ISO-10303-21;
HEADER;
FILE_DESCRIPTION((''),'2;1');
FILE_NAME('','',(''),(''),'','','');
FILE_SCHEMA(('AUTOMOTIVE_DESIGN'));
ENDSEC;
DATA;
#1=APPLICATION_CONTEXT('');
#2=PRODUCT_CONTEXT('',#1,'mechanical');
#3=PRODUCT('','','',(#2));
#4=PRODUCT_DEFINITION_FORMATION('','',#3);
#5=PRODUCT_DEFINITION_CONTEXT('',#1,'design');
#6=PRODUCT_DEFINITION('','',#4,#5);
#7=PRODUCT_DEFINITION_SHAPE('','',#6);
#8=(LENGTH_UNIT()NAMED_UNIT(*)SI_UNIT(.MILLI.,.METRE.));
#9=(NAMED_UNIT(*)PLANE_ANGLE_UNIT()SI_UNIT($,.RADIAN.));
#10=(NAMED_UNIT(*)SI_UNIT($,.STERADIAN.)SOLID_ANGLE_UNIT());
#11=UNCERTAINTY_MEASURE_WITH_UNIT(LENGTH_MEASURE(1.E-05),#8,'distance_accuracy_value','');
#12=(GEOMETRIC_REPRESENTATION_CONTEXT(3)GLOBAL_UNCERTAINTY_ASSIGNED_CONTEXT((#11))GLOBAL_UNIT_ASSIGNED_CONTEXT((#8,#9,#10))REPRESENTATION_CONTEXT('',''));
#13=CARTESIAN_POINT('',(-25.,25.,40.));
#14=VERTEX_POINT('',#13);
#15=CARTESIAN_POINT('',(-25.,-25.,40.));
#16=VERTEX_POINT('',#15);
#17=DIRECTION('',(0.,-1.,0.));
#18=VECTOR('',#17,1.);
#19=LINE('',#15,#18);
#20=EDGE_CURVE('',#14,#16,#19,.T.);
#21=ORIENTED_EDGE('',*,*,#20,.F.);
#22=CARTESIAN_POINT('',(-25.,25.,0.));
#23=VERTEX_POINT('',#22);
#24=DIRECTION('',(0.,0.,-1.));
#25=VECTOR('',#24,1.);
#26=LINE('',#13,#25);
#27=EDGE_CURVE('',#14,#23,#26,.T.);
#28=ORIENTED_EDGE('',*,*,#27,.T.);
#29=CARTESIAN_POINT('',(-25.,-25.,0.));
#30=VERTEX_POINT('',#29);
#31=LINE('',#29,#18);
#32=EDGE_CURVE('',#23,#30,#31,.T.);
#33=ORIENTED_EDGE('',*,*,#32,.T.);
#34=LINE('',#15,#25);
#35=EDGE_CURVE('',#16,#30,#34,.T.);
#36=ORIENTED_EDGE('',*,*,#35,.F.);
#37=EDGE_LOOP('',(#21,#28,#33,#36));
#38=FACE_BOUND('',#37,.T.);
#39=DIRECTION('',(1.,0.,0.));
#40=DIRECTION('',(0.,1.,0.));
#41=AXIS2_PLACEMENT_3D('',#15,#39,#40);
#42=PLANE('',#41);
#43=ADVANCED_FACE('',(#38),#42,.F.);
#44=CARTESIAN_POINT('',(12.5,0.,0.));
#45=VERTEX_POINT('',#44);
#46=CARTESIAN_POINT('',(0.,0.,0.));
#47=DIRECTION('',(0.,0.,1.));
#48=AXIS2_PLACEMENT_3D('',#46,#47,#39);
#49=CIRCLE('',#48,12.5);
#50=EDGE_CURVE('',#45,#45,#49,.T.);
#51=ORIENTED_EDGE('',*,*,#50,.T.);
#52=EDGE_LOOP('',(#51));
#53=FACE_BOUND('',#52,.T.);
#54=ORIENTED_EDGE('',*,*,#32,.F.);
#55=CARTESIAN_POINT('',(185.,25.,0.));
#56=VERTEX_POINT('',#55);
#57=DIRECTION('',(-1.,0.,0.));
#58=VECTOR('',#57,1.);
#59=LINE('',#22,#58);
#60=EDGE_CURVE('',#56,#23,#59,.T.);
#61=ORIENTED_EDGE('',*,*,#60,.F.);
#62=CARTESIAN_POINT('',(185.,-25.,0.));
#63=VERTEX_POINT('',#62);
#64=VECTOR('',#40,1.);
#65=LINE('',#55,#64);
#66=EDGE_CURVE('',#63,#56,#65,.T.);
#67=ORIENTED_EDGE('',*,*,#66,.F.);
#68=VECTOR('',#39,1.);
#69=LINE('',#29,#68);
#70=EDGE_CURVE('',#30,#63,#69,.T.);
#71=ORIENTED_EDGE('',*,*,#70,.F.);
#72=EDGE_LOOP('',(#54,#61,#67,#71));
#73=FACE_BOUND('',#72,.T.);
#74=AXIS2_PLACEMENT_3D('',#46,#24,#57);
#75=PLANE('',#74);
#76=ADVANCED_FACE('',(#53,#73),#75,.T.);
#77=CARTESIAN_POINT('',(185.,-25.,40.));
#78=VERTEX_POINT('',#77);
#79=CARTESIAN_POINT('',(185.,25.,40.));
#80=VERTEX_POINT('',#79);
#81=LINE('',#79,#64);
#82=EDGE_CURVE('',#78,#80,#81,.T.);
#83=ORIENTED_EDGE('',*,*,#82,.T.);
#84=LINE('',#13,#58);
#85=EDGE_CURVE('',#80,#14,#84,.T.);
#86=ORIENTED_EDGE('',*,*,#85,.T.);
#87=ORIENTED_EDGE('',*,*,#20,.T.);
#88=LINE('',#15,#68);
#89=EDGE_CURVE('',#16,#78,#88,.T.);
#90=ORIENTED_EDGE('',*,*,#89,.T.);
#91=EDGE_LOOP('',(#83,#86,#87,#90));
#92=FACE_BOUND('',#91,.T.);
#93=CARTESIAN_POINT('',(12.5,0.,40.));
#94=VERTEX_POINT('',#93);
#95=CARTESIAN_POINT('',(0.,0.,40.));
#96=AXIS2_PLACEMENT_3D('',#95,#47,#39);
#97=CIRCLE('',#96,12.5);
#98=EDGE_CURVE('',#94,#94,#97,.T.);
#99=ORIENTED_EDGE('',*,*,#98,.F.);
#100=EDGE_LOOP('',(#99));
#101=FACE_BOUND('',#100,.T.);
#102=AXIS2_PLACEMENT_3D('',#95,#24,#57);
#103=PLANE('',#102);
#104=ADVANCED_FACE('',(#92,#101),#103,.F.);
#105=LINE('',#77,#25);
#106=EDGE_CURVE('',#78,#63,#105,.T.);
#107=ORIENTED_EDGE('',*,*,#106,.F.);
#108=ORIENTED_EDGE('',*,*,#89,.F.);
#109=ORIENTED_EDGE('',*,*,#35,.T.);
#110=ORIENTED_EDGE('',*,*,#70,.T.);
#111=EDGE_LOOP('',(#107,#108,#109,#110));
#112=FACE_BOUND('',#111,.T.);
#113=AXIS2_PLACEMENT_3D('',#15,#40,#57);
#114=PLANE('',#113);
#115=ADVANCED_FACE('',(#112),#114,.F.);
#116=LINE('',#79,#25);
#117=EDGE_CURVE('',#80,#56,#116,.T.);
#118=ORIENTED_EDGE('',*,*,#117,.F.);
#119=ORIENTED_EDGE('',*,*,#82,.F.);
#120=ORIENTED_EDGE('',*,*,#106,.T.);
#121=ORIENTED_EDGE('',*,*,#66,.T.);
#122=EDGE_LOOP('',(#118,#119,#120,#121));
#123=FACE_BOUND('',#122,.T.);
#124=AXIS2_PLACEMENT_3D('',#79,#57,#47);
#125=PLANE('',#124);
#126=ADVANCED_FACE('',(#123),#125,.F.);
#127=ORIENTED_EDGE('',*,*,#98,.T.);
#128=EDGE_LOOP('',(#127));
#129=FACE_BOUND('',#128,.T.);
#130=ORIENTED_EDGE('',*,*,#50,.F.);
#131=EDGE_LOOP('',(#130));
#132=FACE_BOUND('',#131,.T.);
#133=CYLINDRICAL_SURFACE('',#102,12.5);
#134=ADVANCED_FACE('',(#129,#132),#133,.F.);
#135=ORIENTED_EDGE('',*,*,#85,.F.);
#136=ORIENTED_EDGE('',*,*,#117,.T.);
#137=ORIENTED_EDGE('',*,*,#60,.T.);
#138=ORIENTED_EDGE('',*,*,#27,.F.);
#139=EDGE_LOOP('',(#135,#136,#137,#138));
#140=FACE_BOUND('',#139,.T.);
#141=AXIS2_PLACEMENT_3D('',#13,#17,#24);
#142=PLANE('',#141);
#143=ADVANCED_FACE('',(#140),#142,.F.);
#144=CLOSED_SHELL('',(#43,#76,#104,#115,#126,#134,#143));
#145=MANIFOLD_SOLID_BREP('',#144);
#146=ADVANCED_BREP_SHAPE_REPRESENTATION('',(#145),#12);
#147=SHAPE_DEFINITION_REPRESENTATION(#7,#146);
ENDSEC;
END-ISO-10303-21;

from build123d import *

# Parameters (mm, degrees)
CROQUIS1_W              = 210
CROQUIS1_H              = 50
CROQUIS1_R              = 12.5
SALIENTE_EXTRUIR1_DEPTH = 40


with BuildPart() as part:
    # Croquis1 → Saliente-Extruir1 (new body)
    with BuildSketch(Plane.XY):
        with Locations((80, 0)):
            Rectangle(CROQUIS1_W, CROQUIS1_H)
        Circle(CROQUIS1_R, mode=Mode.SUBTRACT)
    extrude(amount=SALIENTE_EXTRUIR1_DEPTH)


solid = part.part
